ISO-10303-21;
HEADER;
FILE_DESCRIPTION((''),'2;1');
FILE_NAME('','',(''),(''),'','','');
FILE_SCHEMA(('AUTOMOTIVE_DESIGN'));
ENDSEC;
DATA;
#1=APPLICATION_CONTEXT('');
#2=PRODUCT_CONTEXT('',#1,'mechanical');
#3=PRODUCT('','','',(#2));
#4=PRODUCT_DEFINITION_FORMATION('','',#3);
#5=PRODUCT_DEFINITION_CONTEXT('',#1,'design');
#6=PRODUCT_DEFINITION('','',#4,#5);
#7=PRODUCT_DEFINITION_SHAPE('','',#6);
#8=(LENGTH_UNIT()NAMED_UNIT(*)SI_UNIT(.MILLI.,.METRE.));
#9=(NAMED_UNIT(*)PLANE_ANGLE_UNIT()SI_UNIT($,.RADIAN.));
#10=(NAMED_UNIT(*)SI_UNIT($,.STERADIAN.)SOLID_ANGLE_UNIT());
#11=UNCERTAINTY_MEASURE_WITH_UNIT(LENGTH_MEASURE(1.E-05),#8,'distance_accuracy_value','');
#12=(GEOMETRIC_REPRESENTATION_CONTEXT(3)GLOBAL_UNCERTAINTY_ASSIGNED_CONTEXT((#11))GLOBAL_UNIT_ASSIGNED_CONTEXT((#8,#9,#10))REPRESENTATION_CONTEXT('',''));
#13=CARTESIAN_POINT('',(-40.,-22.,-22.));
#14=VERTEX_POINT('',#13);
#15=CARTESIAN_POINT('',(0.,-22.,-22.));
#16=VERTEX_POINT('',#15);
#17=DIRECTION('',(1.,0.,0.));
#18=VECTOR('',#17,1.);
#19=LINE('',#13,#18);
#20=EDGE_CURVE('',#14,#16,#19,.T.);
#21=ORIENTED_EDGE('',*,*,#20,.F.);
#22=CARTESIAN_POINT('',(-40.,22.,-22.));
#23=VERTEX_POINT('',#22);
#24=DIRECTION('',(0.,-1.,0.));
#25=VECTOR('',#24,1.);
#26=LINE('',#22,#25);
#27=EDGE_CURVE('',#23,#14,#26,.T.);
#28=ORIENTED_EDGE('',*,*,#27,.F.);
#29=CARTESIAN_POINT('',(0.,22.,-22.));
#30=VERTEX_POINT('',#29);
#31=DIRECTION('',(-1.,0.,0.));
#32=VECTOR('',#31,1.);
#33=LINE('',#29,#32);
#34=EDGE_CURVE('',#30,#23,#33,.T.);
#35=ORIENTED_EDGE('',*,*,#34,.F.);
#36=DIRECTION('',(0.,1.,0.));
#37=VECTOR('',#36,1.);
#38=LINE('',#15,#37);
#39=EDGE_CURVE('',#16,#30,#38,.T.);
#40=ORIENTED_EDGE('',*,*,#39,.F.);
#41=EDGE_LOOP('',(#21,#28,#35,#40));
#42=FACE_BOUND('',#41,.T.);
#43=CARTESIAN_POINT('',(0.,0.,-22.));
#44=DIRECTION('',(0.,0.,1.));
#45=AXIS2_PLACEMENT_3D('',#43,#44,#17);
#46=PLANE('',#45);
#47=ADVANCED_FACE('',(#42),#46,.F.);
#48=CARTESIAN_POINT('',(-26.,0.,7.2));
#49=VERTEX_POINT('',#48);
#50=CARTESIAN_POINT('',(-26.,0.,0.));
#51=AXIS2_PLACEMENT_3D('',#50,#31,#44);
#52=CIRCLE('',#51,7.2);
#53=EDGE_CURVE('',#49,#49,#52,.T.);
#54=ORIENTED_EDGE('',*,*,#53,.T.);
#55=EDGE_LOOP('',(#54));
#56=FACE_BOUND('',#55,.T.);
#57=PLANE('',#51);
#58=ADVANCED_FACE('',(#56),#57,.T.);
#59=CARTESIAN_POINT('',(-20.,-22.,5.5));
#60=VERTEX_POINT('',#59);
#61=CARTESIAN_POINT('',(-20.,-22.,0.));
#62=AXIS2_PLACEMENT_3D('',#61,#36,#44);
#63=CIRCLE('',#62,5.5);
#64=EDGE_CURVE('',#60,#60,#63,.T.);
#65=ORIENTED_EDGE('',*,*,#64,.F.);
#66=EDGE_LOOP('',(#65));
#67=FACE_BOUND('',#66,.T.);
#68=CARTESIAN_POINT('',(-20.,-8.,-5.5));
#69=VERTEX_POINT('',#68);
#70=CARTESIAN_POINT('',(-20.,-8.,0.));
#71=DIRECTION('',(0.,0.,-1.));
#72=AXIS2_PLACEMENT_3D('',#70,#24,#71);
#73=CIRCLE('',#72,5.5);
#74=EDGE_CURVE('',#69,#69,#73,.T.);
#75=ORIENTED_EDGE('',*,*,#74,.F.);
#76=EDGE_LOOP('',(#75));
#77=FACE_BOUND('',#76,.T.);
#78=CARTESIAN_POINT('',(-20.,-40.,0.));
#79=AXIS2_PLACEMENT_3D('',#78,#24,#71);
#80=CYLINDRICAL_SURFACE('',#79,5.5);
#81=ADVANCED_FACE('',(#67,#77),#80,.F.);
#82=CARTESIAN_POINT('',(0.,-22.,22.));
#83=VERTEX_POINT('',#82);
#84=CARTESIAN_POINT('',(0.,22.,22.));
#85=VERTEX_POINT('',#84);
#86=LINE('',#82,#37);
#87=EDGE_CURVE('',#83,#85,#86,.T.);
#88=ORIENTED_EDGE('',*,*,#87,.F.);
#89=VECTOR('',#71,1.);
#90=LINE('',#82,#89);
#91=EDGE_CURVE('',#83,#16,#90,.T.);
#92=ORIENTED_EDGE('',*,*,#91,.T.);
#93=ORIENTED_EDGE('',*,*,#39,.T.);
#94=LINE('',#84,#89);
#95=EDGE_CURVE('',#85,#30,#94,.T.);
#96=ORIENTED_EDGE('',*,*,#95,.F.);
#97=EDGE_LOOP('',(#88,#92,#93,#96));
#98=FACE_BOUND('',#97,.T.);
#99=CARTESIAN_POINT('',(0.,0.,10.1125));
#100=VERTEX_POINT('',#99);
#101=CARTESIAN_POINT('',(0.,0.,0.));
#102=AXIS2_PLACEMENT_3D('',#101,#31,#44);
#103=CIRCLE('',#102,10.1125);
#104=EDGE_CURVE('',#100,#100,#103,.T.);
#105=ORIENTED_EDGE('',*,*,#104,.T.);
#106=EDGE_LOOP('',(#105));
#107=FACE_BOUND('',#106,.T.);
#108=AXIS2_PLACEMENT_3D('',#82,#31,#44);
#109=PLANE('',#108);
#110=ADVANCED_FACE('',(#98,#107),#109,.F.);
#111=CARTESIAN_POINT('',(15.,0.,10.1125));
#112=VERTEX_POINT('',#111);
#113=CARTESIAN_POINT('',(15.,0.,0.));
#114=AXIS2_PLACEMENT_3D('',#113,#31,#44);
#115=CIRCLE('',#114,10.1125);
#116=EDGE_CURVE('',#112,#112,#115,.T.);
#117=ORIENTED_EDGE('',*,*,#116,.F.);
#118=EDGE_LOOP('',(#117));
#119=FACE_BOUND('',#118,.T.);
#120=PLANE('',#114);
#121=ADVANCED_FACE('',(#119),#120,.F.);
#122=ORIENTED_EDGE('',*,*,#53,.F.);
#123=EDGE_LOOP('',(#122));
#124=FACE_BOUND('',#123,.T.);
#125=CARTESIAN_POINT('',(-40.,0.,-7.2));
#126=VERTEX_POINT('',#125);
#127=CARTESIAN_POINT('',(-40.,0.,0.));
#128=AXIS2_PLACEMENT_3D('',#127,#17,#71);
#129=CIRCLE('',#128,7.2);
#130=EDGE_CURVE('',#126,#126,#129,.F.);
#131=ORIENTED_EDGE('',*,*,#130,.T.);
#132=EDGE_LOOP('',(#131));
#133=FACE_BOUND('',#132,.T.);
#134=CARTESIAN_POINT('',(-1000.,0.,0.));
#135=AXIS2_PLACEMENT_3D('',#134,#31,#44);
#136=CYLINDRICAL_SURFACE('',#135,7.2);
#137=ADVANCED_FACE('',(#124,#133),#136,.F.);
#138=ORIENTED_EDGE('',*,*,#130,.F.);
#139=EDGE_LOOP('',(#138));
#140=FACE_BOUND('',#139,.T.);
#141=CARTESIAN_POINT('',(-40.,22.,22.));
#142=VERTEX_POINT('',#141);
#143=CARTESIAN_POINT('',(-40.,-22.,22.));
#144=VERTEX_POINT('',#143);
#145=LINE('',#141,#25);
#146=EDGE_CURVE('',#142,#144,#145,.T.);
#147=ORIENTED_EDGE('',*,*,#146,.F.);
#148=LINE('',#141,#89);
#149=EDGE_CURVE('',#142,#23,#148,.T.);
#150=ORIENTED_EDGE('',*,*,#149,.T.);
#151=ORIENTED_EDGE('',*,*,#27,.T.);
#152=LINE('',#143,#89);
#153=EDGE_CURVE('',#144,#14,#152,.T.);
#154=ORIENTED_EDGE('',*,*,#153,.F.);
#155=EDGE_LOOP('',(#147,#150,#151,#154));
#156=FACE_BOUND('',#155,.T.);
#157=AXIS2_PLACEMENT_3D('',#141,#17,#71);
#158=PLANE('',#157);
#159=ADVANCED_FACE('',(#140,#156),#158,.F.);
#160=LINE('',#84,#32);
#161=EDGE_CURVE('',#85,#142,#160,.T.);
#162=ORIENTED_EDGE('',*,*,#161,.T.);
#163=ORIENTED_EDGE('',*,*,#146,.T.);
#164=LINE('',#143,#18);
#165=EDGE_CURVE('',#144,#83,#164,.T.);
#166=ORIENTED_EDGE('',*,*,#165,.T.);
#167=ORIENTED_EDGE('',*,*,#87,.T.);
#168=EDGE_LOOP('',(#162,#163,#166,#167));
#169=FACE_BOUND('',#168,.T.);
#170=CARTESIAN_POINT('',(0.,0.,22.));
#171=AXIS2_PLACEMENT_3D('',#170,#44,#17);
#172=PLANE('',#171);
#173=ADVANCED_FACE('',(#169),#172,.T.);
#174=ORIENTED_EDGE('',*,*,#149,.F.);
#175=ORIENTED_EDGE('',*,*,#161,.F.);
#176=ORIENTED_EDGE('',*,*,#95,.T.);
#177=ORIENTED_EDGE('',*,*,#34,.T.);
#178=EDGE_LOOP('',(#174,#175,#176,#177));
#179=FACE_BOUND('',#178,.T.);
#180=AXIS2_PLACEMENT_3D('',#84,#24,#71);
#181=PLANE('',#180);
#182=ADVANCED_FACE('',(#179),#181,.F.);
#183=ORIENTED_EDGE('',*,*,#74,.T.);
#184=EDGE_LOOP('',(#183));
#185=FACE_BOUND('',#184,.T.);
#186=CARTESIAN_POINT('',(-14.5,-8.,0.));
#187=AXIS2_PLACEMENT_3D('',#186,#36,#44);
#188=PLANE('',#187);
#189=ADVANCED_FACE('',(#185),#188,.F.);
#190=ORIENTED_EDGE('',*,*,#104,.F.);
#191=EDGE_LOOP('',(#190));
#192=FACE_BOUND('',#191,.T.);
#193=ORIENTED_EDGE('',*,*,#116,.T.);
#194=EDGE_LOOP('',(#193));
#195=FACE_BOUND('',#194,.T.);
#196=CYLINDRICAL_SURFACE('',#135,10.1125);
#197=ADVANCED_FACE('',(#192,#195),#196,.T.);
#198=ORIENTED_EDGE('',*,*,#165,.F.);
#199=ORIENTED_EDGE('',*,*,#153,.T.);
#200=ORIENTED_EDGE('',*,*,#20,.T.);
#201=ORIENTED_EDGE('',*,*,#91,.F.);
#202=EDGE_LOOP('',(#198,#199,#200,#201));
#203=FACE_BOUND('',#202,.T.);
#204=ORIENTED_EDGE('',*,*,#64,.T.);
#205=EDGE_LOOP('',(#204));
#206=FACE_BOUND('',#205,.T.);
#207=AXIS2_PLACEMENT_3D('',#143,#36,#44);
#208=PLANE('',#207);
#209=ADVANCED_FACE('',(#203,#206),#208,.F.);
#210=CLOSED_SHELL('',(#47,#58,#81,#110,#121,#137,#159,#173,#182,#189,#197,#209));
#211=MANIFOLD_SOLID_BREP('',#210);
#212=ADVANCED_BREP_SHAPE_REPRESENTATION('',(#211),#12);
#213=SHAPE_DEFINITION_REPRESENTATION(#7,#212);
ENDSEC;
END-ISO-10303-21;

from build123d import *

# Parameters (mm, degrees)
BLOCK_SKETCH_W          = 40
BLOCK_SKETCH_H          = 44
BLOCK_DEPTH             = 22
NECK_SKETCH_W           = 15
NECK_SKETCH_H           = 10.1125
REGULATOR_PORT_SKETCH_W = 15
REGULATOR_PORT_SKETCH_H = 7.2
SIDE_PORT_Y_SKETCH_W    = 5.5
SIDE_PORT_Y_SKETCH_H    = 15


with BuildPart() as part:
    # Block Sketch → Block (new, symmetric)
    with BuildSketch(Plane.XY):
        with Locations((-20, 0)):
            Rectangle(BLOCK_SKETCH_W, BLOCK_SKETCH_H)
    extrude(amount=BLOCK_DEPTH, both=True)

    # Neck Sketch → Neck (revolve)
    with BuildSketch(Plane.XY):
        with Locations((7.5, 5.05625)):
            Rectangle(NECK_SKETCH_W, NECK_SKETCH_H)
    revolve(axis=Axis((-1000, 0, 0), (1, 0, 0)))

    # Regulator Port Sketch → Regulator Port (revolve, cut)
    with BuildSketch(Plane.XY):
        with Locations((-33.5, 3.6)):
            Rectangle(REGULATOR_PORT_SKETCH_W, REGULATOR_PORT_SKETCH_H)
    revolve(axis=Axis((-1000, 0, 0), (1, 0, 0)), mode=Mode.SUBTRACT)

    # Side Port -Y Sketch → Side Port -Y (revolve, cut)
    with BuildSketch(Plane.XY):
        with Locations((-17.25, -15.5)):
            Rectangle(SIDE_PORT_Y_SKETCH_W, SIDE_PORT_Y_SKETCH_H)
    revolve(axis=Axis((-20, -40, 0), (0, 1, 0)), mode=Mode.SUBTRACT)


solid = part.part
